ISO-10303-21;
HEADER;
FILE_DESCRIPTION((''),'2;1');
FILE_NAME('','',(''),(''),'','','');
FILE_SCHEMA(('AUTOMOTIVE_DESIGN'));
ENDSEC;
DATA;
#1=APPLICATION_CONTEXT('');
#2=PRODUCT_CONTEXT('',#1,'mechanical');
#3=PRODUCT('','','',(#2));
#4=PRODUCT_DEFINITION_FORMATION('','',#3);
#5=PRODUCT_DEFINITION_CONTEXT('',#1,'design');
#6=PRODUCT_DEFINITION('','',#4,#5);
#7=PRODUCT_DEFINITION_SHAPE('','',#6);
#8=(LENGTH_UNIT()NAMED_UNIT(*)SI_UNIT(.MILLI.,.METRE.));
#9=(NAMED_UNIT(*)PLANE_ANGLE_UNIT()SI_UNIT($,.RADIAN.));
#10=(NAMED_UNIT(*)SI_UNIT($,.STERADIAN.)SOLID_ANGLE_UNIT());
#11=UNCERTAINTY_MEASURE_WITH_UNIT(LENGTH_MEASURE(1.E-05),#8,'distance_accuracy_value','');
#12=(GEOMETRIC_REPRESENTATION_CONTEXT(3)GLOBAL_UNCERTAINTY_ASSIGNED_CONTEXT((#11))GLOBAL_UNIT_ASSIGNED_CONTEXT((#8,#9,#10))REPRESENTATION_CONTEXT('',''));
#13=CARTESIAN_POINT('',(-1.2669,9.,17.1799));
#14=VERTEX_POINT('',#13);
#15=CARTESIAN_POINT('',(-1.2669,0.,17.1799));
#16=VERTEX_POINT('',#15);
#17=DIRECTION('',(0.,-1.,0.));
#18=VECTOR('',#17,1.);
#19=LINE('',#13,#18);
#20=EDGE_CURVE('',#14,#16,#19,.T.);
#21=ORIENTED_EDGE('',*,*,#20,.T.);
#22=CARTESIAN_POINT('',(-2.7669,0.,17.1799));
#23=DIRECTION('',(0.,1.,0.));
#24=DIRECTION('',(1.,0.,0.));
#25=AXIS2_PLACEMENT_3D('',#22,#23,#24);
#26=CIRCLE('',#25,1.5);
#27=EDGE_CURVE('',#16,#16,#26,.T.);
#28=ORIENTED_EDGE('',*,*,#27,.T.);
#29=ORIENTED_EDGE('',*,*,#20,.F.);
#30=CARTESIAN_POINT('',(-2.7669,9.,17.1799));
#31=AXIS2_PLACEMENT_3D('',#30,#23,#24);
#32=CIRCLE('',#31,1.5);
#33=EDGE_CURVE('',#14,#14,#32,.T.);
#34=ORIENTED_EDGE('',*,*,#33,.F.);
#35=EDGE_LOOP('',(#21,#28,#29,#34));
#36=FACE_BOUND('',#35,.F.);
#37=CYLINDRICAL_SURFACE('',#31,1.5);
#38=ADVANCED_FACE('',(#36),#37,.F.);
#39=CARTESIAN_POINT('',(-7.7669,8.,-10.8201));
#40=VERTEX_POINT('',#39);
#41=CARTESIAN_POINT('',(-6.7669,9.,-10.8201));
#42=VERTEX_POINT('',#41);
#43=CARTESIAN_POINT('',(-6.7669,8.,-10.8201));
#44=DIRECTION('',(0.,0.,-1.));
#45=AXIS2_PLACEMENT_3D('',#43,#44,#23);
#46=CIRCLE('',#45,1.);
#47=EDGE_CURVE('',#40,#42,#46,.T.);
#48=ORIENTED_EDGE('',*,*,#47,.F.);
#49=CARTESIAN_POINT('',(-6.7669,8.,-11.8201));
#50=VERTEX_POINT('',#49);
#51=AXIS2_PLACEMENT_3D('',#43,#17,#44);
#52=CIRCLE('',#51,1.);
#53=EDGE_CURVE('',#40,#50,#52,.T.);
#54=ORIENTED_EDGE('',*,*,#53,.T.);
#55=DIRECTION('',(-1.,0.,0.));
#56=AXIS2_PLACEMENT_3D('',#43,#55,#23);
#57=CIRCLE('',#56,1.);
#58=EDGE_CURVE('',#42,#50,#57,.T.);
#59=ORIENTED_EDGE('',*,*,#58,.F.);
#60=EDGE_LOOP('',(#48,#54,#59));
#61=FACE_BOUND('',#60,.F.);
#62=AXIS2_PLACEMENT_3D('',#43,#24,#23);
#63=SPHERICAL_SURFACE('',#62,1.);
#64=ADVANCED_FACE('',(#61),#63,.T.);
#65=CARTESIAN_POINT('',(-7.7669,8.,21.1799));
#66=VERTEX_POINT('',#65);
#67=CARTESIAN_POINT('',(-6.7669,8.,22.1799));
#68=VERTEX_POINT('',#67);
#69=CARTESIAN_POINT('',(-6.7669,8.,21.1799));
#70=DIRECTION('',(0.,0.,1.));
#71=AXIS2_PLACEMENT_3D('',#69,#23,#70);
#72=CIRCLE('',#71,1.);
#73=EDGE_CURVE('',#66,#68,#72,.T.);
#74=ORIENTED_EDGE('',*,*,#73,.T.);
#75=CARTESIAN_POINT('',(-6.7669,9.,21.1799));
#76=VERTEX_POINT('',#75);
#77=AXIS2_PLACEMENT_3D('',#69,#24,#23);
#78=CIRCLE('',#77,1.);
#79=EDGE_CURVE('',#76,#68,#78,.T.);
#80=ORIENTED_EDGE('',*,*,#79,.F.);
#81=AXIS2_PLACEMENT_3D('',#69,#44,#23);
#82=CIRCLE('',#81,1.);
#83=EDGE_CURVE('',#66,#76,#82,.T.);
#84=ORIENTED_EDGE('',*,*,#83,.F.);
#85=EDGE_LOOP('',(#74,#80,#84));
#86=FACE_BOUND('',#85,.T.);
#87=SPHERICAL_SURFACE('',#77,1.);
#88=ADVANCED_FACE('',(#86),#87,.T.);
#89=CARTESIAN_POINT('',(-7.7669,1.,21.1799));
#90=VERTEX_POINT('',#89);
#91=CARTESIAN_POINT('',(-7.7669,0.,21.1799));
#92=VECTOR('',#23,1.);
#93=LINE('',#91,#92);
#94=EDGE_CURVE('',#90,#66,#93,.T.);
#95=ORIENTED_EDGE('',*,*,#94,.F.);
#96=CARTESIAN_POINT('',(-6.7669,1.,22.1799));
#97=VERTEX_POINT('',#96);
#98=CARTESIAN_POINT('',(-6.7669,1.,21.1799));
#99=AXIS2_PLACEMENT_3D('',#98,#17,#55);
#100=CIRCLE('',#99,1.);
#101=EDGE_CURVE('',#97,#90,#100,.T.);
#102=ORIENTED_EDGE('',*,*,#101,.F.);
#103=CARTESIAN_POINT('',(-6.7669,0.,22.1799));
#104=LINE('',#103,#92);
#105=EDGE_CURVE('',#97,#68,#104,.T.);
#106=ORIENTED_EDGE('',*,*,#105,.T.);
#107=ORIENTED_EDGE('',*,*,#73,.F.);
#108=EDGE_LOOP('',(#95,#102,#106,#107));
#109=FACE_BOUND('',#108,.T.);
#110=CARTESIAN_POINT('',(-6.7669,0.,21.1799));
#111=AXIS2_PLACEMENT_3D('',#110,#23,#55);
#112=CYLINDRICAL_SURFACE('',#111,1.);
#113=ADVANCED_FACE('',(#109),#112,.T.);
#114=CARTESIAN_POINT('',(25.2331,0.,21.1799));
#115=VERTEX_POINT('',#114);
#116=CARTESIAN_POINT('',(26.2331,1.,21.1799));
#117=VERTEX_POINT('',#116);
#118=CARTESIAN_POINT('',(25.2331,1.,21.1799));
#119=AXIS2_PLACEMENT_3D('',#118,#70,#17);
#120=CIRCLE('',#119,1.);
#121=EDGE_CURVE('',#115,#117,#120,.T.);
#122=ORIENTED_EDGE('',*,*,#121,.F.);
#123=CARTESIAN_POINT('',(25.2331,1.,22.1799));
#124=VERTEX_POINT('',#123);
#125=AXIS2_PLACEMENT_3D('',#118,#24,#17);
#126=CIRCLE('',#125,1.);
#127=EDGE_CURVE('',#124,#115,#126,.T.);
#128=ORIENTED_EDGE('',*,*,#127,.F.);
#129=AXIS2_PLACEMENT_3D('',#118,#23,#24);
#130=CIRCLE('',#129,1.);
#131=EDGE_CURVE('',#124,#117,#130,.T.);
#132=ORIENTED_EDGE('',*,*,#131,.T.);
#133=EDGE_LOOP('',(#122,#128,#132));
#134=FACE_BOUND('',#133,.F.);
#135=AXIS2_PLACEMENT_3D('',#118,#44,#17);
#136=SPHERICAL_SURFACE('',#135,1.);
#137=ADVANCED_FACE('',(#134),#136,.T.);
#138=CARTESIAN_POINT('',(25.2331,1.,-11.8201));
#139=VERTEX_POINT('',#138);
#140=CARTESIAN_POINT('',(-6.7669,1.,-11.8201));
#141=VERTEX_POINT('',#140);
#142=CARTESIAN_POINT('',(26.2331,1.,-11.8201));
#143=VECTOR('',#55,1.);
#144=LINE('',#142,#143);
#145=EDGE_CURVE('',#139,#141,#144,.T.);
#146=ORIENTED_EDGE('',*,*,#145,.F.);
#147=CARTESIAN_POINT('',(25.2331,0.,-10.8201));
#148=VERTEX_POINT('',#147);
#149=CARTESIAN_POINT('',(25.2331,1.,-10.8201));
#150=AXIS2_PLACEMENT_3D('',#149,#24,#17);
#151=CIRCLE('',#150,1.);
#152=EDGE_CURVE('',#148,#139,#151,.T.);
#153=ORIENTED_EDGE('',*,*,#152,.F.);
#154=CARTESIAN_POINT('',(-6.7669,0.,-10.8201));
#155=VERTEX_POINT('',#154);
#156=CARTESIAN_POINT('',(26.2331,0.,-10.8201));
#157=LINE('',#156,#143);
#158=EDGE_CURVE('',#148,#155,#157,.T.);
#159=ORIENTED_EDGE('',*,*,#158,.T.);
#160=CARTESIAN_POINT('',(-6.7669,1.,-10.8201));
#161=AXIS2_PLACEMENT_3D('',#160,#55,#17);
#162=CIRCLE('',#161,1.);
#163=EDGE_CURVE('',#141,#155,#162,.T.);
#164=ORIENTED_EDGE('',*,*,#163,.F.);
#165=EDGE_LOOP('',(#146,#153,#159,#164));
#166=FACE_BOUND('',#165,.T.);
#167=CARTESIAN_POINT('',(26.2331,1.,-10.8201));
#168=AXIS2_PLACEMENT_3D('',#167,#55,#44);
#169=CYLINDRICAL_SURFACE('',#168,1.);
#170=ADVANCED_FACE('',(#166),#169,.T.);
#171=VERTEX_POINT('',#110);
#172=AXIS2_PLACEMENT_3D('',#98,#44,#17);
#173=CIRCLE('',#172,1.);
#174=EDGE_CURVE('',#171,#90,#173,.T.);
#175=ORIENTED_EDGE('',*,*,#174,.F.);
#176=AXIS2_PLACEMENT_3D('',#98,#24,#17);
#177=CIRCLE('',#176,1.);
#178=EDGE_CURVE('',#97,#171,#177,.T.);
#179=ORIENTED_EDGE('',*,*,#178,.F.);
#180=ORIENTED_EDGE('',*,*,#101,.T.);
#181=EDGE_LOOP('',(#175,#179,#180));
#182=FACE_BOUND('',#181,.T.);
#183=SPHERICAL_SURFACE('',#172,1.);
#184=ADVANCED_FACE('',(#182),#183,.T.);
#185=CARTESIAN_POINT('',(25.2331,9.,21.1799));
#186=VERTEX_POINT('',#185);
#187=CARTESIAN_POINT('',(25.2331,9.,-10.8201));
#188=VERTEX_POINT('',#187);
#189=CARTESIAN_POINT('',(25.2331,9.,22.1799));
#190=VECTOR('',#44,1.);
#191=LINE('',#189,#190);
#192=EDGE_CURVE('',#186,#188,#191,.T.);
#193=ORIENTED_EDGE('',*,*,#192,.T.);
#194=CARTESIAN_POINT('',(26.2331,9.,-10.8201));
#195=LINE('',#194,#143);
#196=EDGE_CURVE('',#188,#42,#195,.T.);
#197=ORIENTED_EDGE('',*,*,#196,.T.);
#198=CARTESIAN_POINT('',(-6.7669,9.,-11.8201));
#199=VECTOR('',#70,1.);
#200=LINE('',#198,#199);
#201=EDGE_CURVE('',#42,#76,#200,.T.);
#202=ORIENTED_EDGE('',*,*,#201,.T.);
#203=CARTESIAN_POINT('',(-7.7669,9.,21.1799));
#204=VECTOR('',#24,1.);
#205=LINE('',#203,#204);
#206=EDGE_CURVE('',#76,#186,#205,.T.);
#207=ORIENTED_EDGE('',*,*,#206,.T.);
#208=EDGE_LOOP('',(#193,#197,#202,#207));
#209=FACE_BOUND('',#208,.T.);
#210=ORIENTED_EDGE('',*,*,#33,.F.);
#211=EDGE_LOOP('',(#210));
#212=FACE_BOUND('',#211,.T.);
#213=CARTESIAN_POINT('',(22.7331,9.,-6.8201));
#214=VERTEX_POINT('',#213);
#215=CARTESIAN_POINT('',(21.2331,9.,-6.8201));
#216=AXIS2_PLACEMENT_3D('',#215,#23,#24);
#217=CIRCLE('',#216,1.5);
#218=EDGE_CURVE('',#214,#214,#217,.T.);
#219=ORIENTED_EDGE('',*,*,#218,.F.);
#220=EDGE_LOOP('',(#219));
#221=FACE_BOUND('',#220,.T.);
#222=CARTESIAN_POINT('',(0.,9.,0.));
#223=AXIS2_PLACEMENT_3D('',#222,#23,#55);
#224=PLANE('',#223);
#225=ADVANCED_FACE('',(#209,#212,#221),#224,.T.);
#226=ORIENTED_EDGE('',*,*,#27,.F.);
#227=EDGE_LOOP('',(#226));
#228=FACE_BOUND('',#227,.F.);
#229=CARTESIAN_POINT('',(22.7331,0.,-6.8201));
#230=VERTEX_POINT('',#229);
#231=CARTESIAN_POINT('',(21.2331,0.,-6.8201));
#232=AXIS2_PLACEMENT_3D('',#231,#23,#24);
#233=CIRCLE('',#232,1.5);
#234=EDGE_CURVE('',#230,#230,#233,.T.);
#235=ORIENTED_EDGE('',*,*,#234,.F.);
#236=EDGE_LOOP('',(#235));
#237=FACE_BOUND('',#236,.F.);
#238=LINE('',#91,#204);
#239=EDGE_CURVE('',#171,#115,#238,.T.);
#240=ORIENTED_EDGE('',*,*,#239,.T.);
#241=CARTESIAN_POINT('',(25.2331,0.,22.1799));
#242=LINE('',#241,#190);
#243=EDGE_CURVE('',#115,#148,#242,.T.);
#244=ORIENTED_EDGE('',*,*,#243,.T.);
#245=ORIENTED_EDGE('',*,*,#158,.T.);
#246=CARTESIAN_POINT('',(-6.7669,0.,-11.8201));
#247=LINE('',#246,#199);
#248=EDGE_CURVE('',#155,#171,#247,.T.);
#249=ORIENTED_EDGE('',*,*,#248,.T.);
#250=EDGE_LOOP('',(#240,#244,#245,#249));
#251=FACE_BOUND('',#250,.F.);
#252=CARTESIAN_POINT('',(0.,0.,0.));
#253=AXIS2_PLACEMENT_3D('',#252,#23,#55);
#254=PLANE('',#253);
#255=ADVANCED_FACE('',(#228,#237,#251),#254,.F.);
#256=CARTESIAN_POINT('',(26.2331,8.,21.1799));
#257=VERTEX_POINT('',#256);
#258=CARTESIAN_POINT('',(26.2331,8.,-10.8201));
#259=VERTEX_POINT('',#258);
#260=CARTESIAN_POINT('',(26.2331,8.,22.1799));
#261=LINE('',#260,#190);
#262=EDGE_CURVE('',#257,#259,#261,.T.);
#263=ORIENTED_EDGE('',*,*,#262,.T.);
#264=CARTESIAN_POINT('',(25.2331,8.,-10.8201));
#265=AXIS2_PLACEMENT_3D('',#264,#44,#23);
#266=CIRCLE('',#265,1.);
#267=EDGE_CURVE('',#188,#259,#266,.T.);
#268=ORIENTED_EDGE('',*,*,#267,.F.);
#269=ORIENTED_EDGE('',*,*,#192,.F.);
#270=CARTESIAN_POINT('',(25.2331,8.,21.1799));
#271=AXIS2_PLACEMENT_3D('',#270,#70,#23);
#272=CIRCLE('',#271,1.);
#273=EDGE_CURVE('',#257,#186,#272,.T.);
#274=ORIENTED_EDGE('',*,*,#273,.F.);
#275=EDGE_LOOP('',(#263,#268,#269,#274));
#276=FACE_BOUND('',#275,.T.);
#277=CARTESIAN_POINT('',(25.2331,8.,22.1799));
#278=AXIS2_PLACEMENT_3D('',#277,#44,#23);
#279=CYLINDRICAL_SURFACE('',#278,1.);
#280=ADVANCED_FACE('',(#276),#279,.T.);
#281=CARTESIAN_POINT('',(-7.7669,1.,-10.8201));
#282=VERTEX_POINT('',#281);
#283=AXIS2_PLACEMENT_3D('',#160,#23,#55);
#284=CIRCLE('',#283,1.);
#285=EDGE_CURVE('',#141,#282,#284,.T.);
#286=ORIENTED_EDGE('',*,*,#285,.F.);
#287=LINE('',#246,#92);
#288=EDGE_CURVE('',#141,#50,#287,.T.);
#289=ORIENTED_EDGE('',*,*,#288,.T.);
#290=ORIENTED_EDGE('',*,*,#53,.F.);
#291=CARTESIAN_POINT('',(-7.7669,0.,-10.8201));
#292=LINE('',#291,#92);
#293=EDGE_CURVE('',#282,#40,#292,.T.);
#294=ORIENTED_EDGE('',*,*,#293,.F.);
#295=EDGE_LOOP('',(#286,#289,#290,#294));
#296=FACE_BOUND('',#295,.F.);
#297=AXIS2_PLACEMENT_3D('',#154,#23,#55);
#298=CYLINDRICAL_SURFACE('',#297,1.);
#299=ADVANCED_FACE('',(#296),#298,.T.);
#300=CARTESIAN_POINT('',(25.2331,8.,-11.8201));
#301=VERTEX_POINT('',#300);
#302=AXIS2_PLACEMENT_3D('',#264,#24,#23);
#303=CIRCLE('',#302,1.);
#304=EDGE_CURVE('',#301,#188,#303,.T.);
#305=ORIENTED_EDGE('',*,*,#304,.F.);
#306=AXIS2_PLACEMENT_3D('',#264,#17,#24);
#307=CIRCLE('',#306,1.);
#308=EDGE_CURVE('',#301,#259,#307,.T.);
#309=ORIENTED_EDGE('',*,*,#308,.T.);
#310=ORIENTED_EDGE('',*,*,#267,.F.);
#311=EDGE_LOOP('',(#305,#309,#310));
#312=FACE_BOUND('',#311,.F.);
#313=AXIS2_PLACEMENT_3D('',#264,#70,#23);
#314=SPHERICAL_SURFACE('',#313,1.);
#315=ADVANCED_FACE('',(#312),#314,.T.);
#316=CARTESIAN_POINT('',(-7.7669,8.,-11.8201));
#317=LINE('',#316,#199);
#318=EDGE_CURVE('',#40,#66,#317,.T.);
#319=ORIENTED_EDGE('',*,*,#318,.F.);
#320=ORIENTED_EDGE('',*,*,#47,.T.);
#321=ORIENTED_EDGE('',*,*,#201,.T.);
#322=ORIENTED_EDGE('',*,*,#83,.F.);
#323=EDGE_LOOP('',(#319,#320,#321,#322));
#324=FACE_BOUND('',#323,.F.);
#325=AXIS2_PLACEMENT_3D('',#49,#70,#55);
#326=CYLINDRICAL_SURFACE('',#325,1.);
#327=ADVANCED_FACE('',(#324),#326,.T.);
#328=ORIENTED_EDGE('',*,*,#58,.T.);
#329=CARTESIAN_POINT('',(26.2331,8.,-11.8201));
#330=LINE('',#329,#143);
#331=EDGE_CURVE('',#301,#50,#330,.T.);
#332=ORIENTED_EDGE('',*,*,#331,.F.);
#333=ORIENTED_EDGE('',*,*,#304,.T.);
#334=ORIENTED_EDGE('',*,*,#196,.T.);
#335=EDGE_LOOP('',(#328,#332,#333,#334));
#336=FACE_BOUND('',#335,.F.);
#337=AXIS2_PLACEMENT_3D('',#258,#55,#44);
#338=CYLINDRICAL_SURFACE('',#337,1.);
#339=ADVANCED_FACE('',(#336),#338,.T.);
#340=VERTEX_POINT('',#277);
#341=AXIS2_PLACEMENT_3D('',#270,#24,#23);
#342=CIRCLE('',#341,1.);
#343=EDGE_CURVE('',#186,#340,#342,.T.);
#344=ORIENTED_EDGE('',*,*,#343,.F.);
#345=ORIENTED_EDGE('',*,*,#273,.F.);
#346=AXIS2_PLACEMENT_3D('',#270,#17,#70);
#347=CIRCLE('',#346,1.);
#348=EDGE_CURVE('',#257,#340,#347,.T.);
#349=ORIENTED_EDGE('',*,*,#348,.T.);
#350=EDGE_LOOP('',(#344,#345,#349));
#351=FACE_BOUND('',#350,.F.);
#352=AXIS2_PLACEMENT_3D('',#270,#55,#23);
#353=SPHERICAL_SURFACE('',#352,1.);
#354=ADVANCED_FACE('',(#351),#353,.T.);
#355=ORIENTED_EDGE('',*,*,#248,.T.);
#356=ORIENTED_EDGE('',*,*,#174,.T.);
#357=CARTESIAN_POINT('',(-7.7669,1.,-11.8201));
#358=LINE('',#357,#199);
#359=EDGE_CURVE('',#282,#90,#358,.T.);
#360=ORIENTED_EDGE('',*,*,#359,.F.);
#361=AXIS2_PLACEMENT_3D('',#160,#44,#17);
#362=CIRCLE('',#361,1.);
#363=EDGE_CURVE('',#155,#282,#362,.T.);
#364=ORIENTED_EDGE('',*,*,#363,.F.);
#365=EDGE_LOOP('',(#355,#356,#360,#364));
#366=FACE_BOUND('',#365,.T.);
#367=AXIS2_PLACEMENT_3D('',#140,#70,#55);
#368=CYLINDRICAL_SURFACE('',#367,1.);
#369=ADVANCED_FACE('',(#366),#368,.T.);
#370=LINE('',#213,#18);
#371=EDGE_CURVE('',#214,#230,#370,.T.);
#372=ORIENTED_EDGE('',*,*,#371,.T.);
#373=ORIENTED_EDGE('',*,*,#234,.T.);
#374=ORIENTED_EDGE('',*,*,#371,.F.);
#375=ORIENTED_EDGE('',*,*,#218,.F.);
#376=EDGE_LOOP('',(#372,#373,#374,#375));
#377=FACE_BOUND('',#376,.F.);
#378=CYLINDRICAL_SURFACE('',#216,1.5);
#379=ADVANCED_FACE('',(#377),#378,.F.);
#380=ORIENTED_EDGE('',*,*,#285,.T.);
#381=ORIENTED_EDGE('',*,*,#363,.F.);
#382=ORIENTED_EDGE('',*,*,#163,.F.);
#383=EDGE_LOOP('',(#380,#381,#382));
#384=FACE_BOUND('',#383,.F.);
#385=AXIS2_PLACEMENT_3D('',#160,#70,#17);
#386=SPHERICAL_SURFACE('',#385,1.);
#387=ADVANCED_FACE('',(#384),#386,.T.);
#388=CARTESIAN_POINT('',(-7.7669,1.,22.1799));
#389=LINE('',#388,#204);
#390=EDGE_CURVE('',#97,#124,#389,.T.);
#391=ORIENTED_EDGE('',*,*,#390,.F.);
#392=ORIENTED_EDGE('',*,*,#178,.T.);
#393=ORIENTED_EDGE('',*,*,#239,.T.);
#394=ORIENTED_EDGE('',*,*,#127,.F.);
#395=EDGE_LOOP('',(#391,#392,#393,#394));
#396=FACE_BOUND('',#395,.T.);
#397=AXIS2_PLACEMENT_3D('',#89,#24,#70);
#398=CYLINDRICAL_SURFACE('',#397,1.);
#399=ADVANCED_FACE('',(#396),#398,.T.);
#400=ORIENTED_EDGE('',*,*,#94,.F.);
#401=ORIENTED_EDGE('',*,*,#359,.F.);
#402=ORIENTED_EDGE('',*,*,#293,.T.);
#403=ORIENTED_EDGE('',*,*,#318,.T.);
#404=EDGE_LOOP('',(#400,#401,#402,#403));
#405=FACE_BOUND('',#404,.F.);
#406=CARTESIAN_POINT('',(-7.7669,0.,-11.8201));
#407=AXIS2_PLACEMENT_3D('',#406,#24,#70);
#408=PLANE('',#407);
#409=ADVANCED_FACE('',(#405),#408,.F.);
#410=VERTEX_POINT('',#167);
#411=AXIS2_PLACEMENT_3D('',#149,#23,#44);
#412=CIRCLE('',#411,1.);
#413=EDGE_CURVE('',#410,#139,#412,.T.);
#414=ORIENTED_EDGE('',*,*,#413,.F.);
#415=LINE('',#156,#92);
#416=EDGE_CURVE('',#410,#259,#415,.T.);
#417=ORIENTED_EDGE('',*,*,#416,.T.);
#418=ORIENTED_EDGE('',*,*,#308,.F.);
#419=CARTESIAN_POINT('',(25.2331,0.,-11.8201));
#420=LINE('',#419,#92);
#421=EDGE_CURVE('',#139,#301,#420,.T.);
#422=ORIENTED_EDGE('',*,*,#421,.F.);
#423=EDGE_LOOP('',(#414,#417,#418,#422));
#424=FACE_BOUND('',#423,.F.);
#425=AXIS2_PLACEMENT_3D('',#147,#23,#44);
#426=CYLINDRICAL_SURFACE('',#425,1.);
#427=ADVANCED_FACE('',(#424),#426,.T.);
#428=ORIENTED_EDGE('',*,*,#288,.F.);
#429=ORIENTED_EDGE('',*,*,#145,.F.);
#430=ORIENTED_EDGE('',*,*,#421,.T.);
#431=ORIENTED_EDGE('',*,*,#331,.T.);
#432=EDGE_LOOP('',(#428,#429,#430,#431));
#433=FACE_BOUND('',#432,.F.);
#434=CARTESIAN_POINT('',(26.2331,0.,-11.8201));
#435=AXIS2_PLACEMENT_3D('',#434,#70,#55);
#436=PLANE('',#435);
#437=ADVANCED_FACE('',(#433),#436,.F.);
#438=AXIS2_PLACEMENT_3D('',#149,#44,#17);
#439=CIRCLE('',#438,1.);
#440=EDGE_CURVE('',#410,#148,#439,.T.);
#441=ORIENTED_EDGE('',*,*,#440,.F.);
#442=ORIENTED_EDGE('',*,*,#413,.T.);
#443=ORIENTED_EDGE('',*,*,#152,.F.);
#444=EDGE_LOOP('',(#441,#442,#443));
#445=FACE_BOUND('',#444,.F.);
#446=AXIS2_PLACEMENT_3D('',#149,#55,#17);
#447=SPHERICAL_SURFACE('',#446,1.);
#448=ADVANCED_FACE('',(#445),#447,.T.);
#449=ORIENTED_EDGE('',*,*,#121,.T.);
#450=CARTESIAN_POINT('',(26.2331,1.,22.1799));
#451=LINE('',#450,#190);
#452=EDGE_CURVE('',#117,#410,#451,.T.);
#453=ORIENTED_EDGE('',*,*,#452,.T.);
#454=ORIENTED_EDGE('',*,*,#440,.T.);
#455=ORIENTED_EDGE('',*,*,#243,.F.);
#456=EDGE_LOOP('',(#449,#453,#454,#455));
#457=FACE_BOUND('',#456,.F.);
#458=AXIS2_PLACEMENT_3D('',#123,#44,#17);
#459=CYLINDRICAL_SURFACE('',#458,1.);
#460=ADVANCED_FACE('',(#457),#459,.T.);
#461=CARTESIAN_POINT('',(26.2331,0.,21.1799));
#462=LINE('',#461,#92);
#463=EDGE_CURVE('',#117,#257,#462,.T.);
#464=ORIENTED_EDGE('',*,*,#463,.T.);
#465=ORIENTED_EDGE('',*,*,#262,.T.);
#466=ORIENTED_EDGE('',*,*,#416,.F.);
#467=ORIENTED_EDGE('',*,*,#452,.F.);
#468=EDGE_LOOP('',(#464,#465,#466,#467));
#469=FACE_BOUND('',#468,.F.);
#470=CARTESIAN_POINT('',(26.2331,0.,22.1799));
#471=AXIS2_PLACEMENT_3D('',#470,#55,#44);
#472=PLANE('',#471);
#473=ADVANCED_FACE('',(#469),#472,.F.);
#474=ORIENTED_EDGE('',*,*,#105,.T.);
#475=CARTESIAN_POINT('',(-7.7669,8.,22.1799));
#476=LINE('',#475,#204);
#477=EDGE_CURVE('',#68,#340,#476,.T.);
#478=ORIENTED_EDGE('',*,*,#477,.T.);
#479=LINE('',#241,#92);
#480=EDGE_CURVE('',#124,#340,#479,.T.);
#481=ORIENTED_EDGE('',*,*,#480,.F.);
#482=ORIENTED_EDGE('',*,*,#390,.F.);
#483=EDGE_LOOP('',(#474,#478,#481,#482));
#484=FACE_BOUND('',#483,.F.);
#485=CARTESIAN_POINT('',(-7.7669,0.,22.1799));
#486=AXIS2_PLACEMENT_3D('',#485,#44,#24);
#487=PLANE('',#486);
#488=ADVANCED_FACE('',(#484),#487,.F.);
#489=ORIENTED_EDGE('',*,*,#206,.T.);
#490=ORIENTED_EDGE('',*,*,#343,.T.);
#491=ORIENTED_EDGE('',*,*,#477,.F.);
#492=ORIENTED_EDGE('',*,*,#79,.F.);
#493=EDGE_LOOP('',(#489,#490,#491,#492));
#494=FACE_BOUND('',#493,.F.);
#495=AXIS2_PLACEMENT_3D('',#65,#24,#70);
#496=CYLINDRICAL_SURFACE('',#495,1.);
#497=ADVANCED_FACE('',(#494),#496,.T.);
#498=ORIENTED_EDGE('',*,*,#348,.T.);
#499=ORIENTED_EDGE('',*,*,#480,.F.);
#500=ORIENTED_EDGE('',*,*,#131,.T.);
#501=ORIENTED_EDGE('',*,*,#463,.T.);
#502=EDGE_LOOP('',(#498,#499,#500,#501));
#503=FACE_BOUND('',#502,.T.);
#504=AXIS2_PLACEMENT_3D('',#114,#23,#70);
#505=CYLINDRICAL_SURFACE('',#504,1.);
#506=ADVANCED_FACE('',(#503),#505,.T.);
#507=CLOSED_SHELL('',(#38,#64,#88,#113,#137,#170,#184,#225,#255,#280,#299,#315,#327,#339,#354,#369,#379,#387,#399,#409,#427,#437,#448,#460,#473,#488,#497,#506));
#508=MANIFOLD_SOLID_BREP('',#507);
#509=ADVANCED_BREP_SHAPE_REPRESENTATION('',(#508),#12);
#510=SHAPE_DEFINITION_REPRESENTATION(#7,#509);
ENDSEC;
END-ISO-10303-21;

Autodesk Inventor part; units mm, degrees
ref_plane "YZ Plane" through (0, 0, 0) normal (1, 0, 0) x (0, 1, 0)
ref_plane "XZ Plane" through (0, 0, 0) normal (0, 1, 0) x (-1, 0, 0)
ref_plane "XY Plane" through (0, 0, 0) normal (0, 0, 1) x (1, 0, 0)
sketch "Esquisse1" plane through (0, 0, 0) normal (0, 1, 0) x (-1, 0, 0)
  line L0 (7.7669, 22.1799) -> (-26.2331, 22.1799)
  line L1 (-26.2331, 22.1799) -> (-26.2331, -11.8201)
  line L2 (-26.2331, -11.8201) -> (7.7669, -11.8201)
  line L3 (7.7669, -11.8201) -> (7.7669, 22.1799)
  point P0 (0, 0)
  dimension "d0" = 34
  dimension "d1" = 34
extrude "Extrusion1" add sketch "Esquisse1" along normal blind 9
sketch "Esquisse2" plane through (0, 9, 0) normal (0, 1, 0) x (1, 0, 0)
  circle A0 centre (-2.7669, -17.1799) radius 1.5
  circle A1 centre (21.2331, 6.8201) radius 1.5
  line L0 (-7.7669, 11.8201) -> (-7.7669, -22.1799) projected
  line L1 (-7.7669, -22.1799) -> (26.2331, -22.1799) projected
  line L2 (26.2331, 11.8201) -> (-7.7669, 11.8201) projected
  line L3 (26.2331, -22.1799) -> (26.2331, 11.8201) projected
  point P0 (0, 0)
  dimension "d4" = 3
  dimension "d5" = 3
  dimension "d6" = 5
  dimension "d8" = 5
  dimension "d9" = 5
  dimension "d13" = 5
extrude "Extrusion2" cut sketch "Esquisse2" against normal blind 10 contours A0 | A1
fillet "Congé1" radius 1 12 edges at (9.2331, 9, 22.1799) (26.2331, 9, 5.1799) (9.2331, 9, -11.8201) (-7.7669, 9, 5.1799) (-7.7669, 0, 5.1799) (9.2331, 0, -11.8201) (26.2331, 0, 5.1799) (9.2331, 0, 22.1799) (26.2331, 4.5, 22.1799) (26.2331, 4.5, -11.8201) (-7.7669, 4.5, -11.8201) (-7.7669, 4.5, 22.1799)
properties part number "calle-patin"
